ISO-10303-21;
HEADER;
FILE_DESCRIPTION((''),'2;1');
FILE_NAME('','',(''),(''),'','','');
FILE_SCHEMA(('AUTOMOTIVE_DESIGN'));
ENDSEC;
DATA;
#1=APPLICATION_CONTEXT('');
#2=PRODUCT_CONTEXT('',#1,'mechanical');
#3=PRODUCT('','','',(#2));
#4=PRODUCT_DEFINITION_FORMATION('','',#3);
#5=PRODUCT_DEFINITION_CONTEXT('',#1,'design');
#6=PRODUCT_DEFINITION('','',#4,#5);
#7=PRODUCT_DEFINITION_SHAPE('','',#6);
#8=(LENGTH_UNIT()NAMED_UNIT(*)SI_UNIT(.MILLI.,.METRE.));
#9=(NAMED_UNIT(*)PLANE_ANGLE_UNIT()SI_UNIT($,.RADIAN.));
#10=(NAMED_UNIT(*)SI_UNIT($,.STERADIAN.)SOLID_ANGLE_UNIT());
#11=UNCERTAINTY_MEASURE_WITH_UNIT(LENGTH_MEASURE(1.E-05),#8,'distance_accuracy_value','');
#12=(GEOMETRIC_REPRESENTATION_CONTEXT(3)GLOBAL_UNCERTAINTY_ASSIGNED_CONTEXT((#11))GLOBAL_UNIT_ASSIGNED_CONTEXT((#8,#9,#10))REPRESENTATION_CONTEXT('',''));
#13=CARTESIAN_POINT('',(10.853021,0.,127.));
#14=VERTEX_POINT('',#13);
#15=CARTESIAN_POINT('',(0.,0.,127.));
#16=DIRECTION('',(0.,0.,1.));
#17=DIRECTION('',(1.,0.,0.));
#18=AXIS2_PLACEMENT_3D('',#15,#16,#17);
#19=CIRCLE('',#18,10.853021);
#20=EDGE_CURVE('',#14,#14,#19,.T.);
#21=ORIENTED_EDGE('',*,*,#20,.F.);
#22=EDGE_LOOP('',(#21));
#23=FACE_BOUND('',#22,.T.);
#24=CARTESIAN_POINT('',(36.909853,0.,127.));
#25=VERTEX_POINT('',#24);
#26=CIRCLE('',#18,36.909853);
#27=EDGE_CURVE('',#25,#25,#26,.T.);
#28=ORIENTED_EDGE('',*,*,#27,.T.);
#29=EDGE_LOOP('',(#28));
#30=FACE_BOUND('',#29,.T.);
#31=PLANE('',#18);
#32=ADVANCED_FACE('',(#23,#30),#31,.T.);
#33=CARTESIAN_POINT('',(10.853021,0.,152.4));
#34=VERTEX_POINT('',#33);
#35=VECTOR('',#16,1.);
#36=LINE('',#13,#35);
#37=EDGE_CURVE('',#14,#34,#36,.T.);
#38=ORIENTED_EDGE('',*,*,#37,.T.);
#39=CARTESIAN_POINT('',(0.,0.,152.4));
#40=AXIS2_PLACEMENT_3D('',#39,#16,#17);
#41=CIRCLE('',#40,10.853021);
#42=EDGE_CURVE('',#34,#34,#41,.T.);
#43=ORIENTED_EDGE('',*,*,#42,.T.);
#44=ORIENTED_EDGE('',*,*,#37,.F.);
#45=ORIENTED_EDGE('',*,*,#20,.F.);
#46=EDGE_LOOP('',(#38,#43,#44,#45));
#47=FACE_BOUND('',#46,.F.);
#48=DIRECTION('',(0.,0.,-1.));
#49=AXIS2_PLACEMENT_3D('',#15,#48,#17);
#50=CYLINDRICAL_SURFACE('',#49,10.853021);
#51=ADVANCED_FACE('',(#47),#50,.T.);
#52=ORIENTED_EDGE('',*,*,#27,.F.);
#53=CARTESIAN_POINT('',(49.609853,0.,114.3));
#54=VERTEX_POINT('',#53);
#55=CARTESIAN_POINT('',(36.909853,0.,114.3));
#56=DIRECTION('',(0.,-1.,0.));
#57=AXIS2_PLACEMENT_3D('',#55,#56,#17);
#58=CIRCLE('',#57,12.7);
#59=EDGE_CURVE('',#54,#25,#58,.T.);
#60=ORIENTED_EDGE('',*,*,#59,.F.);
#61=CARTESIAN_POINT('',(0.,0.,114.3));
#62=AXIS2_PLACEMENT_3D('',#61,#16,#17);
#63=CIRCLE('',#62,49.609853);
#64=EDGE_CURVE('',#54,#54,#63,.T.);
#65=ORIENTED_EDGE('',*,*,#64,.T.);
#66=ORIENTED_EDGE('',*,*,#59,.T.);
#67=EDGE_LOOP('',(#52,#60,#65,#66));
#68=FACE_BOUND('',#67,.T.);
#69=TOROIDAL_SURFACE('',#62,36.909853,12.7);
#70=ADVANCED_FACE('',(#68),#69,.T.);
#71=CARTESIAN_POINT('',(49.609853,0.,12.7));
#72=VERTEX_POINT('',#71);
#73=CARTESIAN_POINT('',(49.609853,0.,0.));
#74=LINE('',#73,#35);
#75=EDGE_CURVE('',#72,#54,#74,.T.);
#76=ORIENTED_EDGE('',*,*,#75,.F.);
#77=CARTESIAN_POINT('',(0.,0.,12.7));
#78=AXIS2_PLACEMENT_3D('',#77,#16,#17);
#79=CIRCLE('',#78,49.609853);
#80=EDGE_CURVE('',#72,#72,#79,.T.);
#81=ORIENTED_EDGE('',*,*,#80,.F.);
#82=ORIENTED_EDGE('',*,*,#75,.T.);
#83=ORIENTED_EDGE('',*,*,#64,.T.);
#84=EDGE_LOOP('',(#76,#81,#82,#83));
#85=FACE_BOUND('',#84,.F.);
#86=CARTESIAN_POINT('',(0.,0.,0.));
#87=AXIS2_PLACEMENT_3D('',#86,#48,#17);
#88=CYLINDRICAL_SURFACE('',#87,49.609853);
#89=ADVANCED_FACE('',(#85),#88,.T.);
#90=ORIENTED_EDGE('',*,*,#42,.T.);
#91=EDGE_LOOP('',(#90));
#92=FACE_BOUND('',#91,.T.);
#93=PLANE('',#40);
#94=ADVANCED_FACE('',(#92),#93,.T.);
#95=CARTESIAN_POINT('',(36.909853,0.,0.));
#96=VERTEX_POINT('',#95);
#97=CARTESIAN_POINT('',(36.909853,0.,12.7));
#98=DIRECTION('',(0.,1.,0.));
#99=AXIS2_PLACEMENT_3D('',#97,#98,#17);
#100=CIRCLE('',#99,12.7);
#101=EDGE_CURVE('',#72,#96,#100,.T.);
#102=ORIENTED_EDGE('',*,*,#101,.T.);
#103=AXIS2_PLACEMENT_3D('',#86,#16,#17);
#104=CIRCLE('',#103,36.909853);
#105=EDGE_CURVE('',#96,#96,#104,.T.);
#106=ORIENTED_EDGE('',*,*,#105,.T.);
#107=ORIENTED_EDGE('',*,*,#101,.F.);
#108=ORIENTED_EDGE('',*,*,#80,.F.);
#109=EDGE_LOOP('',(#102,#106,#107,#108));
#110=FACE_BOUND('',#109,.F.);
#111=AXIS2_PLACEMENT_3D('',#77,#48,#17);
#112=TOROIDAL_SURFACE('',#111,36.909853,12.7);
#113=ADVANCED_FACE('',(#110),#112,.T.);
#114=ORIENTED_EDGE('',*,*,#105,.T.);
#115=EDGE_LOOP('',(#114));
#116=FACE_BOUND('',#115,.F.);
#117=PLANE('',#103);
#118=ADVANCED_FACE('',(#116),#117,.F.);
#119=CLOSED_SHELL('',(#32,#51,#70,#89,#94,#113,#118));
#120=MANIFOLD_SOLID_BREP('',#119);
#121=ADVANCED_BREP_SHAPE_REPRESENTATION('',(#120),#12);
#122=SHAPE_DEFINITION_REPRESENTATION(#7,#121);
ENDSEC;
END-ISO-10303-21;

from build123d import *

# Parameters (mm, degrees)
F0_R     = 49.609853
F1_DEPTH = 127
F2_R     = 10.853021
F3_DEPTH = 25.4
F4_R     = 12.7


with BuildPart() as f1:
    # F0 (on Top) → F1 (new body)
    with BuildSketch(Plane.XY):
        Circle(F0_R)
    extrude(amount=F1_DEPTH)

    # F2 (on face) → F3 (join)
    with BuildSketch(Plane.XY.offset(127)):
        Circle(F2_R)
    extrude(amount=F3_DEPTH)

    # F4
    f4_edges = [f1.edges().sort_by_distance(p)[0] for p in [
        (-49.609853, 0, 127),
        (49.609853, 0, 63.5),
        (-49.609853, 0, 0),
    ]]
    fillet(f4_edges, radius=F4_R)


solid = f1.part
